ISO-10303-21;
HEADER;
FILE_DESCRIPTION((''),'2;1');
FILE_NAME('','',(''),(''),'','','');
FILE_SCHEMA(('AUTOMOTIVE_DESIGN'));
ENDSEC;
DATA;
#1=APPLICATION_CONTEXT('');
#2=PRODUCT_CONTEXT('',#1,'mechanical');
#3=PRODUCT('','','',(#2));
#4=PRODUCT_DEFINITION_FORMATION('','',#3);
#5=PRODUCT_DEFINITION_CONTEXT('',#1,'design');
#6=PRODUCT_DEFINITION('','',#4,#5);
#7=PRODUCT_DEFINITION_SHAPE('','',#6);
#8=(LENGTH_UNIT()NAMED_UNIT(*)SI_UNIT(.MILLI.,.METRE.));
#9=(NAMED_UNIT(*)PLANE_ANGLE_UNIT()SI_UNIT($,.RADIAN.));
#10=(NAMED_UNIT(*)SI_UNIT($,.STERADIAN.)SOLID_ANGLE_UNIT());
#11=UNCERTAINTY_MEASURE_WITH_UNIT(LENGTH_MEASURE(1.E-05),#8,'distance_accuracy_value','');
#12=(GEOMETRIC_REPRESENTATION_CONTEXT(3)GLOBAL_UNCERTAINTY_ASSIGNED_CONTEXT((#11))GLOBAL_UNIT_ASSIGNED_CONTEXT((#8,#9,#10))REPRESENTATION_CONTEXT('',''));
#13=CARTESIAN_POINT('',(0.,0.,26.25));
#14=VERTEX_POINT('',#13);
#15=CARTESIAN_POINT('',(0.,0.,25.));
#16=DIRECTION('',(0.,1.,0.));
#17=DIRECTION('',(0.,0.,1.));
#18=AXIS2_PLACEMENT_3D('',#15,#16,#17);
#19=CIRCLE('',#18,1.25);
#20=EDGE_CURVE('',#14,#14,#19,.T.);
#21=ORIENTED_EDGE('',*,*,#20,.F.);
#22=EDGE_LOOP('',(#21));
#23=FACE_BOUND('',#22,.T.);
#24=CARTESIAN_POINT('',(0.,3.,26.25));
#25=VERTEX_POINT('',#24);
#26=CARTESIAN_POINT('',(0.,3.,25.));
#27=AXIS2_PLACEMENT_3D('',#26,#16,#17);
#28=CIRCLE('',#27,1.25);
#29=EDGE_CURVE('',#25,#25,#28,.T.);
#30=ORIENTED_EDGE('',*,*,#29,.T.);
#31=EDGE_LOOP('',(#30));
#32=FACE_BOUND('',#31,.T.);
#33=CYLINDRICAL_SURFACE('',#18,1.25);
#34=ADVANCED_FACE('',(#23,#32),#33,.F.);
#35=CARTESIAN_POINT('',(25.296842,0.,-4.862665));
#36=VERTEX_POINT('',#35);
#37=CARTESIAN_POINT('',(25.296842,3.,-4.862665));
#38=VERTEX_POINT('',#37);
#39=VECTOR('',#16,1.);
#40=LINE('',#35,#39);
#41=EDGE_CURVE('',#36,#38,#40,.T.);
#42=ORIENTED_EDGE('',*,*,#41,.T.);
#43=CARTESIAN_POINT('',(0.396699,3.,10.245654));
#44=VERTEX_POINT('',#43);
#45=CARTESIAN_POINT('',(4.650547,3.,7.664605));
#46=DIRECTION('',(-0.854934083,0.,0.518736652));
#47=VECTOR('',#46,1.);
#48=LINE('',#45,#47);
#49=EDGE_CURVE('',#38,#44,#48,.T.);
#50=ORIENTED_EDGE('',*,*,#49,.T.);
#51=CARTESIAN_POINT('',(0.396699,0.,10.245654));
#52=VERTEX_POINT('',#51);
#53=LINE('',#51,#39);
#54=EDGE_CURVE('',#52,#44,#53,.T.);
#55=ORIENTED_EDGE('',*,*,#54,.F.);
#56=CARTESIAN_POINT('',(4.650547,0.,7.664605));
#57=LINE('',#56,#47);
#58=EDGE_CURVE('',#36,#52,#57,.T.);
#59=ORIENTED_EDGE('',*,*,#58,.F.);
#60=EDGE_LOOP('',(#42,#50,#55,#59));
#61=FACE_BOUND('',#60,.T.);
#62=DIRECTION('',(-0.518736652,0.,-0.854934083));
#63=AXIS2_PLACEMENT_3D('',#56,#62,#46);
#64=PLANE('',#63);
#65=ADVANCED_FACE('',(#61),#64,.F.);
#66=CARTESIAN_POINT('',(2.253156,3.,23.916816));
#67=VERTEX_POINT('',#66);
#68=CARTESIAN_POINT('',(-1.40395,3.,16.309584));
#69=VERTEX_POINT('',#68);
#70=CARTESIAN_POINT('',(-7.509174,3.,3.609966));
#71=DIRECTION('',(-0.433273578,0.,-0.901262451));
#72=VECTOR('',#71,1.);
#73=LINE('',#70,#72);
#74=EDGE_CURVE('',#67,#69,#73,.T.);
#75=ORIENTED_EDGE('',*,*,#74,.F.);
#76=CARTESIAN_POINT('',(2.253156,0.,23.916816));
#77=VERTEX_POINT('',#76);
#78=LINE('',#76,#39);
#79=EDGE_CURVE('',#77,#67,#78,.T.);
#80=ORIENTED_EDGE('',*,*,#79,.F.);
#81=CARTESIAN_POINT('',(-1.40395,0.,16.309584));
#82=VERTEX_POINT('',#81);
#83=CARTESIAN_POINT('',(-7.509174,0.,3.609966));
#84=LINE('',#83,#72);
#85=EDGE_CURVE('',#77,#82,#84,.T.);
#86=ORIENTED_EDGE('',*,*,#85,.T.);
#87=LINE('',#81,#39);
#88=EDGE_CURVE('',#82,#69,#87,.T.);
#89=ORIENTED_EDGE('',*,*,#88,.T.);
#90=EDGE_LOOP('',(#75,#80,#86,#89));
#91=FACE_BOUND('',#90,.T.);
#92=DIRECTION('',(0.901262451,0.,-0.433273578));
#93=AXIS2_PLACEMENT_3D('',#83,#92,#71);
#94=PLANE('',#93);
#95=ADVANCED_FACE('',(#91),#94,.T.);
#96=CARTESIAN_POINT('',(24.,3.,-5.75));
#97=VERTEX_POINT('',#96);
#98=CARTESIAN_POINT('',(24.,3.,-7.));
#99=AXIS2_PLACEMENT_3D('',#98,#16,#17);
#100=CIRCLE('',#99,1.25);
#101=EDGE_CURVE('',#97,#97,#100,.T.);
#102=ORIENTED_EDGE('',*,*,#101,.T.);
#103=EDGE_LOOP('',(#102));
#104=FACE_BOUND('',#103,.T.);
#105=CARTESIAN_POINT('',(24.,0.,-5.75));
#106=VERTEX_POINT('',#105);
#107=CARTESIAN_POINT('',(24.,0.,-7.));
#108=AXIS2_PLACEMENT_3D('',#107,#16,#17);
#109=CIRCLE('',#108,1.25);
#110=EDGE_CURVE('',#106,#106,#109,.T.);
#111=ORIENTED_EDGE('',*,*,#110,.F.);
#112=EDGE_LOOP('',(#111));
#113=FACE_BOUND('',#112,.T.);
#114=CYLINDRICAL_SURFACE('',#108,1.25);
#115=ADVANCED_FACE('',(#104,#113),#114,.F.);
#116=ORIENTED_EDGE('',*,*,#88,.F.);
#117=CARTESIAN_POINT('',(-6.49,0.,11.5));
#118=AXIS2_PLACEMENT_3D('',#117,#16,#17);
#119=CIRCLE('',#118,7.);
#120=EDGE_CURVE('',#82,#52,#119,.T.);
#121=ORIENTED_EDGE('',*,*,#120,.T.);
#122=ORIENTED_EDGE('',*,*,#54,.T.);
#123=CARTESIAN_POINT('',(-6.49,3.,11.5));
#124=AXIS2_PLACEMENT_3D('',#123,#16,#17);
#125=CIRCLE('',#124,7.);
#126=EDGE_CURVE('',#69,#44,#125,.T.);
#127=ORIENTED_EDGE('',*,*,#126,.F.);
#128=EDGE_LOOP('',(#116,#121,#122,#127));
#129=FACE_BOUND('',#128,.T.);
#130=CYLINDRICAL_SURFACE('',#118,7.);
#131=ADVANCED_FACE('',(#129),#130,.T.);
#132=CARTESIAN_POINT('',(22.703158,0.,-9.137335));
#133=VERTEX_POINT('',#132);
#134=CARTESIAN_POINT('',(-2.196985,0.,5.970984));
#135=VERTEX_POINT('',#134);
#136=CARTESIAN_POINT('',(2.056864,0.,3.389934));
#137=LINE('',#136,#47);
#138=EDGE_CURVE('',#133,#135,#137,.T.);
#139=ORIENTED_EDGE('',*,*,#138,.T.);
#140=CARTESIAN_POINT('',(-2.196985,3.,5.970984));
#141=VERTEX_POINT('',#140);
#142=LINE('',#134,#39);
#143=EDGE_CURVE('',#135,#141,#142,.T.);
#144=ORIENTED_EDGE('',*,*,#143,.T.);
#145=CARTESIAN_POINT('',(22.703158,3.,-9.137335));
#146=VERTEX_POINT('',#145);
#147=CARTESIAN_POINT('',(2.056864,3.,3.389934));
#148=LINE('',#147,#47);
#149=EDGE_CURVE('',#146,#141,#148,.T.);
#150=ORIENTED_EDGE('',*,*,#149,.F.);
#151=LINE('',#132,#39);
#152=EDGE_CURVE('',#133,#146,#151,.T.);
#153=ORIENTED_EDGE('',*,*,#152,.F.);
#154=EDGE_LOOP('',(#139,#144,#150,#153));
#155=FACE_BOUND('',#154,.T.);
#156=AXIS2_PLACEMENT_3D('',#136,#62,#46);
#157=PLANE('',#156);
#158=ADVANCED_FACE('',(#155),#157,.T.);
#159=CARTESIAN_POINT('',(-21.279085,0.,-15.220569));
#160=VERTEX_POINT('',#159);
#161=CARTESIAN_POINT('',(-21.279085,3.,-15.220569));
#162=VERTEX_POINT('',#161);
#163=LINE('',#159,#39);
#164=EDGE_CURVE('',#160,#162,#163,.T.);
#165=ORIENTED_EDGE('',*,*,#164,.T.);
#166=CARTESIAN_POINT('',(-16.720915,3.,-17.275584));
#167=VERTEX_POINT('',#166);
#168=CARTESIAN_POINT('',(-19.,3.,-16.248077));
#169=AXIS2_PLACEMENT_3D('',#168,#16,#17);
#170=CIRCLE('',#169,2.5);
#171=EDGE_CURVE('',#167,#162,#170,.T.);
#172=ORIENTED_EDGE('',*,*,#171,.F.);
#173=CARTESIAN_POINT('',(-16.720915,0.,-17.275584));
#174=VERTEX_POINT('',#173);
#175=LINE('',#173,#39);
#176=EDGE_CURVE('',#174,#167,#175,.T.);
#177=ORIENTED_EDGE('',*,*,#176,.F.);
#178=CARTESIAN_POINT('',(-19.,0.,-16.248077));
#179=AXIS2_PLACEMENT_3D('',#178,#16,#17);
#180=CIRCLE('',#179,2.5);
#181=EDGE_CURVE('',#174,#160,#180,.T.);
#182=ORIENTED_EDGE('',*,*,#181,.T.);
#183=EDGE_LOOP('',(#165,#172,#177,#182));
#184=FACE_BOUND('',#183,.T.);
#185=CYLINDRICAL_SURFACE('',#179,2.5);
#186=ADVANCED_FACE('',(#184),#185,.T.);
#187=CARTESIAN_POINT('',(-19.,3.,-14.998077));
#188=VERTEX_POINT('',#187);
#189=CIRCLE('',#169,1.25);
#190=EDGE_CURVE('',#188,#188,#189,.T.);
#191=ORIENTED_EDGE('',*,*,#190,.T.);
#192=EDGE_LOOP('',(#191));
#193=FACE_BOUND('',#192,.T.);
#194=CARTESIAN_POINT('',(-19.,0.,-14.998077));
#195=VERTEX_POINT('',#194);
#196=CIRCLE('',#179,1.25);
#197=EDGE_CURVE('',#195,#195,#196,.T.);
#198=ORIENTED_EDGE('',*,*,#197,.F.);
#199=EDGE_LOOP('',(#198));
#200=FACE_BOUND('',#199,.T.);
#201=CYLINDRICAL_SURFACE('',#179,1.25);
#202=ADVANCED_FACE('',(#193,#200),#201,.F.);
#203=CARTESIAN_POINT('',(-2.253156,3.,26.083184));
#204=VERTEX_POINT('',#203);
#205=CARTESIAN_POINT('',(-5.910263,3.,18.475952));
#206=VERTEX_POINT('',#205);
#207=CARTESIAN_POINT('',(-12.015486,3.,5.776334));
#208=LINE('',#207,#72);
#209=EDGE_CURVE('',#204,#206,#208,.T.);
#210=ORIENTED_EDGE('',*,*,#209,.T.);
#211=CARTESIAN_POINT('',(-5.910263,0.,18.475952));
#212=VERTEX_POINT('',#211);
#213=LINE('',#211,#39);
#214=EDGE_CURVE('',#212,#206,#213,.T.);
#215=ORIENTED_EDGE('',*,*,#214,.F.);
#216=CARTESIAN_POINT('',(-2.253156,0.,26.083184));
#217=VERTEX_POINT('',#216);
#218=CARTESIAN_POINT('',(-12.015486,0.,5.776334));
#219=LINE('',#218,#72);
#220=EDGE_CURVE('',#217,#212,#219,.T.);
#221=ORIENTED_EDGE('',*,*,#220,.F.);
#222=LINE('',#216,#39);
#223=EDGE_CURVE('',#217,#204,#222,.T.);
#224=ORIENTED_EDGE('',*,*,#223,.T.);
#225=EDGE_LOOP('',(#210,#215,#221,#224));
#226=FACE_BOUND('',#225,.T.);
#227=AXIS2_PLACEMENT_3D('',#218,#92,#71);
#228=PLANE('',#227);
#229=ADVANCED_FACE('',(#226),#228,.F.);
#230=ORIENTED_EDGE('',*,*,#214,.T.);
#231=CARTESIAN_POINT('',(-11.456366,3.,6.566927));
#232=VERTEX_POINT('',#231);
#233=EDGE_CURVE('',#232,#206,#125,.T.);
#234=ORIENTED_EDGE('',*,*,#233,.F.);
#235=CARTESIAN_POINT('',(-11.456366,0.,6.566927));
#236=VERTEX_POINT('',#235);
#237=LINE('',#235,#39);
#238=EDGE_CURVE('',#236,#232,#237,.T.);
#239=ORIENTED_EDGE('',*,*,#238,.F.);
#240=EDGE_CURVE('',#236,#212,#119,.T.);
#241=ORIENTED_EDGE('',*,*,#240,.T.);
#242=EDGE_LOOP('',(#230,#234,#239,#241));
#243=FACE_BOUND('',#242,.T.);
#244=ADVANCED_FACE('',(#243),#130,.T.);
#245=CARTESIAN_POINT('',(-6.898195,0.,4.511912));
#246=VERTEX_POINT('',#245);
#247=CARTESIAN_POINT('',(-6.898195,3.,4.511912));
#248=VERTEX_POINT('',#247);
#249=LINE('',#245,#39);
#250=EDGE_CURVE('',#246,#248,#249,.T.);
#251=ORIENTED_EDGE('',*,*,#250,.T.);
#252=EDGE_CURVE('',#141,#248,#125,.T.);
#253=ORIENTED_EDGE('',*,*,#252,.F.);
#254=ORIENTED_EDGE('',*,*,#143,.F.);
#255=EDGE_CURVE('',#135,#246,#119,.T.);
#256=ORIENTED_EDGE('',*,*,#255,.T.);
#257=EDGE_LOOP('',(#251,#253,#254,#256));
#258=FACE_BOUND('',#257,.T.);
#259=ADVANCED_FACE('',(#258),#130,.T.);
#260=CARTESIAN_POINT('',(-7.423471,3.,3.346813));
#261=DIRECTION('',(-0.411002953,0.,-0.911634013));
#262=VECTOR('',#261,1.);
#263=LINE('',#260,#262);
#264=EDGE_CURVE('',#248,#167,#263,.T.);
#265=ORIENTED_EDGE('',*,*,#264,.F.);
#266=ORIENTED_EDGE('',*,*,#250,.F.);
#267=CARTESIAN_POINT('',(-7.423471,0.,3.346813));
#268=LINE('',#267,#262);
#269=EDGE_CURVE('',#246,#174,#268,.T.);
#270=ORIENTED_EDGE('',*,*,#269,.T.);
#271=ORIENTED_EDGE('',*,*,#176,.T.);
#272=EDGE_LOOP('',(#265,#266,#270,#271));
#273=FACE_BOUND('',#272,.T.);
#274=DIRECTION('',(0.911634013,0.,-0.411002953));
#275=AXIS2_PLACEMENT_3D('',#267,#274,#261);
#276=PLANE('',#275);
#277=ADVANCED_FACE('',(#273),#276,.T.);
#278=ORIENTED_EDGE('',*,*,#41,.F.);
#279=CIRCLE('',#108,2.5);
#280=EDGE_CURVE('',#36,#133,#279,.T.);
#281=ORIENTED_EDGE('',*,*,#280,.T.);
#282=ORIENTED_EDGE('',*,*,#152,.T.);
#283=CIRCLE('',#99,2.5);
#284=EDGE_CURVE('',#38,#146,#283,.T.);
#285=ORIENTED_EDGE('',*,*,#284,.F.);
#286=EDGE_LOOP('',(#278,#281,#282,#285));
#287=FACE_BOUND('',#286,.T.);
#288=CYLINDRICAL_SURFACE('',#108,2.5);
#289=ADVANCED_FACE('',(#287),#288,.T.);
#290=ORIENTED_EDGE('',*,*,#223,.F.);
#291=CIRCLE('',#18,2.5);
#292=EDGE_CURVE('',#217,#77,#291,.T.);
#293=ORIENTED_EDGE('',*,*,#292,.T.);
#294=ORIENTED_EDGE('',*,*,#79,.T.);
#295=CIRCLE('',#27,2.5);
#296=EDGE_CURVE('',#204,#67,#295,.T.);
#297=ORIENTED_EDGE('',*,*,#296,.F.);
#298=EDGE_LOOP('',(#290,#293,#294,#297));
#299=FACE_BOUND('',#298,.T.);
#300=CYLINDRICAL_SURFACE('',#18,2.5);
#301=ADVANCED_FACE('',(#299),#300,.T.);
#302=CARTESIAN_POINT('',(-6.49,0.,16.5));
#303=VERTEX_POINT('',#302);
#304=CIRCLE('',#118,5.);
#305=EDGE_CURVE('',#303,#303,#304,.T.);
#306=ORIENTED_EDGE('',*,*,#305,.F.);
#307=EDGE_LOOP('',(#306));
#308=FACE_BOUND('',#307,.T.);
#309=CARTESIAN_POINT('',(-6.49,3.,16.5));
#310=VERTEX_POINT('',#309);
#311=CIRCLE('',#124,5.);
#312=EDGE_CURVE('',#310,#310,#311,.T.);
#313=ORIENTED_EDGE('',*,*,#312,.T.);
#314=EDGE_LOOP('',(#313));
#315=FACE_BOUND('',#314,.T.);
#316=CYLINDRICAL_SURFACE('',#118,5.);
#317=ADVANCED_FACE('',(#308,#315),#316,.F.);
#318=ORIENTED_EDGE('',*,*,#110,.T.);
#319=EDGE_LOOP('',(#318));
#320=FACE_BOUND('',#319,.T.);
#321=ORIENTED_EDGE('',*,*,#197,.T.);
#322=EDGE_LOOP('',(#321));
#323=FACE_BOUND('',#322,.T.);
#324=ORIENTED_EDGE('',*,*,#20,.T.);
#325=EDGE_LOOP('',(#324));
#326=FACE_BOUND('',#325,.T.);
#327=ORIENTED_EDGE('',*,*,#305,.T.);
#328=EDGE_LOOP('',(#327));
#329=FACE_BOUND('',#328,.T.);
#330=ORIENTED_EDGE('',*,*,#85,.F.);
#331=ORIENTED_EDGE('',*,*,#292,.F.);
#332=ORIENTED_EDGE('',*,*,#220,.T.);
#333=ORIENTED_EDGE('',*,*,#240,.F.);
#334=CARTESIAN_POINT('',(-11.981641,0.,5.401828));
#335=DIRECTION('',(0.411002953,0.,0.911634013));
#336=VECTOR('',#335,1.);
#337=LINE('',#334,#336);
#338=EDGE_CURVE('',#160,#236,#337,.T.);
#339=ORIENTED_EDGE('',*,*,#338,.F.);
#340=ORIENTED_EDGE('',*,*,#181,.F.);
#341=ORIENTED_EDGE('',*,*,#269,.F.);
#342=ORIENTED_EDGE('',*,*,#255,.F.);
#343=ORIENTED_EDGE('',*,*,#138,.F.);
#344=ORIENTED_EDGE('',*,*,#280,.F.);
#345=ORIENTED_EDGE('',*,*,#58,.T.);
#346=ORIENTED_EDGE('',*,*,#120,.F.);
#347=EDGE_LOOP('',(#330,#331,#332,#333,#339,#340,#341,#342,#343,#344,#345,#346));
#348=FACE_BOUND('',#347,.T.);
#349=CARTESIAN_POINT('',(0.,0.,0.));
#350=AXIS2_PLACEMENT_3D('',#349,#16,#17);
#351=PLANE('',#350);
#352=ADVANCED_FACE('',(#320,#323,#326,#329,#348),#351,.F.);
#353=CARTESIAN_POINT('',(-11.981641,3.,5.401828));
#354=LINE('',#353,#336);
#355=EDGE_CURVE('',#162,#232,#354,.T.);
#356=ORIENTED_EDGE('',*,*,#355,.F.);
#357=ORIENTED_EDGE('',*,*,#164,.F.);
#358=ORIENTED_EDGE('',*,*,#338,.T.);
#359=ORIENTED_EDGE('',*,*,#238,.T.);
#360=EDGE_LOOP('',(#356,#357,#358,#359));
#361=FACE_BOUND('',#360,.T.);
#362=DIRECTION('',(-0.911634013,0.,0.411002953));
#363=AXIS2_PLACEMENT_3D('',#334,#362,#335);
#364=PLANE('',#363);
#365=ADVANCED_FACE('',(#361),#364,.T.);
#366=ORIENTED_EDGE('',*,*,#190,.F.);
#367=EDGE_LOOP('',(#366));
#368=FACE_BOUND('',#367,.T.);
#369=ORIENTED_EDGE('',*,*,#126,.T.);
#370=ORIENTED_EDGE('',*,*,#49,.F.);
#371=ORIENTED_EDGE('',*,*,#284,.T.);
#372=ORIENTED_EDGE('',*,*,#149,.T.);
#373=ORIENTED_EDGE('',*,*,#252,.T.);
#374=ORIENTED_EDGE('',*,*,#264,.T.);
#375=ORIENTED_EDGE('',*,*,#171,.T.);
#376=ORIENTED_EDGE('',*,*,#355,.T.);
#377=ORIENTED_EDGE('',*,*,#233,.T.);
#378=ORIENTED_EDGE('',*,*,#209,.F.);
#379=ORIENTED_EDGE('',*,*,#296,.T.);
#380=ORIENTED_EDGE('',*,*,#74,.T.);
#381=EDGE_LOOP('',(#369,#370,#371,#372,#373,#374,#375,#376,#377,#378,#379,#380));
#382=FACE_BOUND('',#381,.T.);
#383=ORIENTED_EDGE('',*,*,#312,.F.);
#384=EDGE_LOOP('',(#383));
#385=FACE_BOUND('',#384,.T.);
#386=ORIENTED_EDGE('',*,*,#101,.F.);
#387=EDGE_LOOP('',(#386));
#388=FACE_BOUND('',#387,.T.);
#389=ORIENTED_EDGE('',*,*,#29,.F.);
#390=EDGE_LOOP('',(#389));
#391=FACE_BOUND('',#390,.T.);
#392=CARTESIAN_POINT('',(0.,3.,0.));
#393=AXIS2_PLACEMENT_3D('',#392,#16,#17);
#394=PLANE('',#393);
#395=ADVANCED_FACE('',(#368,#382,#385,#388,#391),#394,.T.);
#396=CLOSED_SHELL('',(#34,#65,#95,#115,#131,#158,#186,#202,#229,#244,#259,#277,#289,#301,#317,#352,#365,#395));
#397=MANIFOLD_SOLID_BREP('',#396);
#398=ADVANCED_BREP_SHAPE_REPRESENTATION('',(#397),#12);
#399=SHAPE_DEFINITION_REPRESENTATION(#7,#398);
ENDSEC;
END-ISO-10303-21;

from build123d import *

# Parameters (mm, degrees)
SKETCH1_R           = 27.5
BOSS_EXTRUDE1_DEPTH = 3
SKETCH2_R           = 1.25
CUT_EXTRUDE1_DEPTH  = 3
CUT_EXTRUDE5_START  = -3
SKETCH3_R           = 5
SKETCH3_R_2         = 1.25
CUT_EXTRUDE5_DEPTH  = 3


with BuildPart() as part:
    # Sketch1 → Boss-Extrude1 (new body)
    with BuildSketch(Plane(origin=(0, 0, 0), x_dir=(1, 0, 0), z_dir=(0, 1, 0))):
        with Locations(Location((0, 0, 0), (0, 0, 270))):
            Circle(SKETCH1_R)
    extrude(amount=BOSS_EXTRUDE1_DEPTH)

    # Sketch2 → Cut-Extrude1 (cut)
    with BuildSketch(Plane(origin=(0, 3, 0), x_dir=(1, 0, 0), z_dir=(0, 1, 0))):
        with Locations(Location((0, -25, 0), (0, 0, 270))):
            Circle(SKETCH2_R)
        with Locations(Location((24, 7, 0), (0, 0, 270))):
            Circle(SKETCH2_R)
        with Locations(Location((-19, 16.248076809, 0), (0, 0, 270))):
            Circle(SKETCH2_R)
    extrude(amount=-CUT_EXTRUDE1_DEPTH, mode=Mode.SUBTRACT)

    # Sketch3 → Cut-Extrude5 (cut)
    with BuildSketch(Plane(origin=(0, 3, 0), x_dir=(1, 0, 0), z_dir=(0, 1, 0)).offset(CUT_EXTRUDE5_START)):
        with BuildLine():
            Line((-2.196984727, -5.970983825), (22.703158369, 9.137335206))
            ThreePointArc((22.703158369, 9.137335206), (24.905937464, 9.330080967), (26.399999989, 7.700000036))
            ThreePointArc((26.399999989, 7.700000036), (5.782248195, 26.885230254), (-20.900000036, 17.872884448))
            ThreePointArc((-20.900000036, 17.872884448), (-18.646279407, 18.722926652), (-16.720914968, 17.275584191))
            Line((-16.720914968, 17.275584191), (-6.898195472, -4.511911817))
            ThreePointArc((-6.898195472, -4.511911817), (-4.415107472, -4.814581464), (-2.196984727, -5.970983825))
        make_face()
        with BuildLine():
            ThreePointArc((26.5, 7), (26.178543559, 5.773644439), (25.296841631, 4.862664794))
            Line((25.296841631, 4.862664794), (0.396698535, -10.245654238))
            ThreePointArc((0.396698535, -10.245654238), (0.481617092, -10.870273767), (0.51, -11.5))
            ThreePointArc((0.51, -11.5), (0.013935278, -14.088209014), (-1.403950257, -16.309583974))
            Line((-1.403950257, -16.309583974), (2.253156128, -23.916816054))
            ThreePointArc((2.253156128, -23.916816054), (2.437507982, -24.444522872), (2.5, -25))
            ThreePointArc((2.5, -25), (1.767766953, -26.767766953), (0, -27.5))
            ThreePointArc((0, -27.5), (19.445436483, -19.445436483), (27.5, 0))
            ThreePointArc((27.5, 0), (27.223611073, 3.889087315), (26.399999989, 7.700000036))
            ThreePointArc((26.399999989, 7.700000036), (26.474873731, 7.353553409), (26.5, 7))
        make_face()
        with Locations(Location((-6.49, -11.5, 0), (0, 0, 270))):
            Circle(SKETCH3_R)
        with Locations(Location((0, -25, 0), (0, 0, 270))):
            Circle(SKETCH3_R_2)
        with Locations(Location((24, 7, 0), (0, 0, 270))):
            Circle(SKETCH3_R_2)
        with Locations(Location((-19, 16.248076809, 0), (0, 0, 270))):
            Circle(SKETCH3_R_2)
        with BuildLine():
            ThreePointArc((-21.279085032, 15.220569428), (-21.474849842, 16.601797402), (-20.900000036, 17.872884448))
            ThreePointArc((-20.900000036, 17.872884448), (-24.977533128, -11.505339579), (0, -27.5))
            ThreePointArc((0, -27.5), (-1.330796779, -27.116360067), (-2.253156128, -26.083183946))
            Line((-2.253156128, -26.083183946), (-5.910262513, -18.475951867))
            ThreePointArc((-5.910262513, -18.475951867), (-12.835616379, -14.455190818), (-11.456365535, -6.56692658))
            Line((-11.456365535, -6.56692658), (-21.279085032, 15.220569428))
        make_face()
    extrude(amount=CUT_EXTRUDE5_DEPTH, mode=Mode.SUBTRACT)


solid = part.part
